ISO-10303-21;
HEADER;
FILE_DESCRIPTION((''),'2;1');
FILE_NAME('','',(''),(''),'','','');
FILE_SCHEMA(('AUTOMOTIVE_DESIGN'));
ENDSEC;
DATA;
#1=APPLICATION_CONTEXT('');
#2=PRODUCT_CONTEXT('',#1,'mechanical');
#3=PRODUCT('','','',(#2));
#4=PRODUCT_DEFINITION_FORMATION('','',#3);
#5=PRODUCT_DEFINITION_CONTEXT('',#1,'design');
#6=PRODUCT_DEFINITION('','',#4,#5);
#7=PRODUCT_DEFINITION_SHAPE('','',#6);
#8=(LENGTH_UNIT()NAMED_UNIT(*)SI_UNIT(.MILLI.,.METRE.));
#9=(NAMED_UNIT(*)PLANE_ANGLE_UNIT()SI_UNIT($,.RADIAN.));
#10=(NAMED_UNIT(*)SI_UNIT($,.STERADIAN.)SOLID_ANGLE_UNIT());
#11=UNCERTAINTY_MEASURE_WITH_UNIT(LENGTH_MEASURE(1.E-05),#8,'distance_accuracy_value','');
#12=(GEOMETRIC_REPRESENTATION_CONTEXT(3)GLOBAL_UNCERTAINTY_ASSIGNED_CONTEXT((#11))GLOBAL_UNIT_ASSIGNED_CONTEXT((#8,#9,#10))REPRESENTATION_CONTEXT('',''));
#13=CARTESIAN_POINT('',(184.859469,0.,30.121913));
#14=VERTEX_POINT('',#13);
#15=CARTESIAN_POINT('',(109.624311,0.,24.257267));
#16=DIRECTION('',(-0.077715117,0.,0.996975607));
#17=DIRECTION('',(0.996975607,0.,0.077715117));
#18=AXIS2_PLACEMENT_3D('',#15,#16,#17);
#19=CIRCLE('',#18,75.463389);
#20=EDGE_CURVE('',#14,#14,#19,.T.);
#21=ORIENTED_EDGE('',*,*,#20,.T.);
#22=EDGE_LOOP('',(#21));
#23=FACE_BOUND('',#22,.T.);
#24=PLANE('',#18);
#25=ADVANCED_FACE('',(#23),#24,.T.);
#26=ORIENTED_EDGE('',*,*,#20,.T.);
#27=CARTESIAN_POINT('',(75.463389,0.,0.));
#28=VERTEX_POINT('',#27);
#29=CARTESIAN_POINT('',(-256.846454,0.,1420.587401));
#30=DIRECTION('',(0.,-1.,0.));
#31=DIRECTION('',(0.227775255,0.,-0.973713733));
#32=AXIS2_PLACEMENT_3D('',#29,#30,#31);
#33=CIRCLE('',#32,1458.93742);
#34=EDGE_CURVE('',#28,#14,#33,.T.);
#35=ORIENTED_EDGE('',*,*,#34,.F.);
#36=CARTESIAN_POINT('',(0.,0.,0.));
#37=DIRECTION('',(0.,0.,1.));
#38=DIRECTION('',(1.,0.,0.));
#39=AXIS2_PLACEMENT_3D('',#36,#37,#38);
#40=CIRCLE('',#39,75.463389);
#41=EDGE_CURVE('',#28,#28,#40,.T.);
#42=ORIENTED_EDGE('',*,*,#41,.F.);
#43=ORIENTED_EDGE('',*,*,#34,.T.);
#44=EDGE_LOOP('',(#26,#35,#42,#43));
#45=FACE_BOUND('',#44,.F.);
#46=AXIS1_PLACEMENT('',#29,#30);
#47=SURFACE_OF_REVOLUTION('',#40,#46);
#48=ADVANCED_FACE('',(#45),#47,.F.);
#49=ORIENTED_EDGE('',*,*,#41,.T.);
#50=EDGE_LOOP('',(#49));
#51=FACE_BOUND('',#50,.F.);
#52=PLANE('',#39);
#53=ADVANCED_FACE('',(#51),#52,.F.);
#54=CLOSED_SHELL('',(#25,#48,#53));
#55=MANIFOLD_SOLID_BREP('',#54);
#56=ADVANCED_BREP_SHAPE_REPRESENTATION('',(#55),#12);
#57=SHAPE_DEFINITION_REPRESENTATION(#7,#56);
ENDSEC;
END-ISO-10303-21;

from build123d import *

# Parameters (mm, degrees)
F0_R = 75.463389


with BuildPart() as f2:
    # F2: sweep along a path in F1
    with BuildLine(Plane.XZ) as f2_path:
        ThreePointArc((0, 0), (55.048068, 11.062491), (109.624311, 24.257267))
    # F0 (on Top) → F2 (sweep)
    with BuildSketch(Plane.XY):
        Circle(F0_R)
    sweep(path=f2_path.line)


solid = f2.part
